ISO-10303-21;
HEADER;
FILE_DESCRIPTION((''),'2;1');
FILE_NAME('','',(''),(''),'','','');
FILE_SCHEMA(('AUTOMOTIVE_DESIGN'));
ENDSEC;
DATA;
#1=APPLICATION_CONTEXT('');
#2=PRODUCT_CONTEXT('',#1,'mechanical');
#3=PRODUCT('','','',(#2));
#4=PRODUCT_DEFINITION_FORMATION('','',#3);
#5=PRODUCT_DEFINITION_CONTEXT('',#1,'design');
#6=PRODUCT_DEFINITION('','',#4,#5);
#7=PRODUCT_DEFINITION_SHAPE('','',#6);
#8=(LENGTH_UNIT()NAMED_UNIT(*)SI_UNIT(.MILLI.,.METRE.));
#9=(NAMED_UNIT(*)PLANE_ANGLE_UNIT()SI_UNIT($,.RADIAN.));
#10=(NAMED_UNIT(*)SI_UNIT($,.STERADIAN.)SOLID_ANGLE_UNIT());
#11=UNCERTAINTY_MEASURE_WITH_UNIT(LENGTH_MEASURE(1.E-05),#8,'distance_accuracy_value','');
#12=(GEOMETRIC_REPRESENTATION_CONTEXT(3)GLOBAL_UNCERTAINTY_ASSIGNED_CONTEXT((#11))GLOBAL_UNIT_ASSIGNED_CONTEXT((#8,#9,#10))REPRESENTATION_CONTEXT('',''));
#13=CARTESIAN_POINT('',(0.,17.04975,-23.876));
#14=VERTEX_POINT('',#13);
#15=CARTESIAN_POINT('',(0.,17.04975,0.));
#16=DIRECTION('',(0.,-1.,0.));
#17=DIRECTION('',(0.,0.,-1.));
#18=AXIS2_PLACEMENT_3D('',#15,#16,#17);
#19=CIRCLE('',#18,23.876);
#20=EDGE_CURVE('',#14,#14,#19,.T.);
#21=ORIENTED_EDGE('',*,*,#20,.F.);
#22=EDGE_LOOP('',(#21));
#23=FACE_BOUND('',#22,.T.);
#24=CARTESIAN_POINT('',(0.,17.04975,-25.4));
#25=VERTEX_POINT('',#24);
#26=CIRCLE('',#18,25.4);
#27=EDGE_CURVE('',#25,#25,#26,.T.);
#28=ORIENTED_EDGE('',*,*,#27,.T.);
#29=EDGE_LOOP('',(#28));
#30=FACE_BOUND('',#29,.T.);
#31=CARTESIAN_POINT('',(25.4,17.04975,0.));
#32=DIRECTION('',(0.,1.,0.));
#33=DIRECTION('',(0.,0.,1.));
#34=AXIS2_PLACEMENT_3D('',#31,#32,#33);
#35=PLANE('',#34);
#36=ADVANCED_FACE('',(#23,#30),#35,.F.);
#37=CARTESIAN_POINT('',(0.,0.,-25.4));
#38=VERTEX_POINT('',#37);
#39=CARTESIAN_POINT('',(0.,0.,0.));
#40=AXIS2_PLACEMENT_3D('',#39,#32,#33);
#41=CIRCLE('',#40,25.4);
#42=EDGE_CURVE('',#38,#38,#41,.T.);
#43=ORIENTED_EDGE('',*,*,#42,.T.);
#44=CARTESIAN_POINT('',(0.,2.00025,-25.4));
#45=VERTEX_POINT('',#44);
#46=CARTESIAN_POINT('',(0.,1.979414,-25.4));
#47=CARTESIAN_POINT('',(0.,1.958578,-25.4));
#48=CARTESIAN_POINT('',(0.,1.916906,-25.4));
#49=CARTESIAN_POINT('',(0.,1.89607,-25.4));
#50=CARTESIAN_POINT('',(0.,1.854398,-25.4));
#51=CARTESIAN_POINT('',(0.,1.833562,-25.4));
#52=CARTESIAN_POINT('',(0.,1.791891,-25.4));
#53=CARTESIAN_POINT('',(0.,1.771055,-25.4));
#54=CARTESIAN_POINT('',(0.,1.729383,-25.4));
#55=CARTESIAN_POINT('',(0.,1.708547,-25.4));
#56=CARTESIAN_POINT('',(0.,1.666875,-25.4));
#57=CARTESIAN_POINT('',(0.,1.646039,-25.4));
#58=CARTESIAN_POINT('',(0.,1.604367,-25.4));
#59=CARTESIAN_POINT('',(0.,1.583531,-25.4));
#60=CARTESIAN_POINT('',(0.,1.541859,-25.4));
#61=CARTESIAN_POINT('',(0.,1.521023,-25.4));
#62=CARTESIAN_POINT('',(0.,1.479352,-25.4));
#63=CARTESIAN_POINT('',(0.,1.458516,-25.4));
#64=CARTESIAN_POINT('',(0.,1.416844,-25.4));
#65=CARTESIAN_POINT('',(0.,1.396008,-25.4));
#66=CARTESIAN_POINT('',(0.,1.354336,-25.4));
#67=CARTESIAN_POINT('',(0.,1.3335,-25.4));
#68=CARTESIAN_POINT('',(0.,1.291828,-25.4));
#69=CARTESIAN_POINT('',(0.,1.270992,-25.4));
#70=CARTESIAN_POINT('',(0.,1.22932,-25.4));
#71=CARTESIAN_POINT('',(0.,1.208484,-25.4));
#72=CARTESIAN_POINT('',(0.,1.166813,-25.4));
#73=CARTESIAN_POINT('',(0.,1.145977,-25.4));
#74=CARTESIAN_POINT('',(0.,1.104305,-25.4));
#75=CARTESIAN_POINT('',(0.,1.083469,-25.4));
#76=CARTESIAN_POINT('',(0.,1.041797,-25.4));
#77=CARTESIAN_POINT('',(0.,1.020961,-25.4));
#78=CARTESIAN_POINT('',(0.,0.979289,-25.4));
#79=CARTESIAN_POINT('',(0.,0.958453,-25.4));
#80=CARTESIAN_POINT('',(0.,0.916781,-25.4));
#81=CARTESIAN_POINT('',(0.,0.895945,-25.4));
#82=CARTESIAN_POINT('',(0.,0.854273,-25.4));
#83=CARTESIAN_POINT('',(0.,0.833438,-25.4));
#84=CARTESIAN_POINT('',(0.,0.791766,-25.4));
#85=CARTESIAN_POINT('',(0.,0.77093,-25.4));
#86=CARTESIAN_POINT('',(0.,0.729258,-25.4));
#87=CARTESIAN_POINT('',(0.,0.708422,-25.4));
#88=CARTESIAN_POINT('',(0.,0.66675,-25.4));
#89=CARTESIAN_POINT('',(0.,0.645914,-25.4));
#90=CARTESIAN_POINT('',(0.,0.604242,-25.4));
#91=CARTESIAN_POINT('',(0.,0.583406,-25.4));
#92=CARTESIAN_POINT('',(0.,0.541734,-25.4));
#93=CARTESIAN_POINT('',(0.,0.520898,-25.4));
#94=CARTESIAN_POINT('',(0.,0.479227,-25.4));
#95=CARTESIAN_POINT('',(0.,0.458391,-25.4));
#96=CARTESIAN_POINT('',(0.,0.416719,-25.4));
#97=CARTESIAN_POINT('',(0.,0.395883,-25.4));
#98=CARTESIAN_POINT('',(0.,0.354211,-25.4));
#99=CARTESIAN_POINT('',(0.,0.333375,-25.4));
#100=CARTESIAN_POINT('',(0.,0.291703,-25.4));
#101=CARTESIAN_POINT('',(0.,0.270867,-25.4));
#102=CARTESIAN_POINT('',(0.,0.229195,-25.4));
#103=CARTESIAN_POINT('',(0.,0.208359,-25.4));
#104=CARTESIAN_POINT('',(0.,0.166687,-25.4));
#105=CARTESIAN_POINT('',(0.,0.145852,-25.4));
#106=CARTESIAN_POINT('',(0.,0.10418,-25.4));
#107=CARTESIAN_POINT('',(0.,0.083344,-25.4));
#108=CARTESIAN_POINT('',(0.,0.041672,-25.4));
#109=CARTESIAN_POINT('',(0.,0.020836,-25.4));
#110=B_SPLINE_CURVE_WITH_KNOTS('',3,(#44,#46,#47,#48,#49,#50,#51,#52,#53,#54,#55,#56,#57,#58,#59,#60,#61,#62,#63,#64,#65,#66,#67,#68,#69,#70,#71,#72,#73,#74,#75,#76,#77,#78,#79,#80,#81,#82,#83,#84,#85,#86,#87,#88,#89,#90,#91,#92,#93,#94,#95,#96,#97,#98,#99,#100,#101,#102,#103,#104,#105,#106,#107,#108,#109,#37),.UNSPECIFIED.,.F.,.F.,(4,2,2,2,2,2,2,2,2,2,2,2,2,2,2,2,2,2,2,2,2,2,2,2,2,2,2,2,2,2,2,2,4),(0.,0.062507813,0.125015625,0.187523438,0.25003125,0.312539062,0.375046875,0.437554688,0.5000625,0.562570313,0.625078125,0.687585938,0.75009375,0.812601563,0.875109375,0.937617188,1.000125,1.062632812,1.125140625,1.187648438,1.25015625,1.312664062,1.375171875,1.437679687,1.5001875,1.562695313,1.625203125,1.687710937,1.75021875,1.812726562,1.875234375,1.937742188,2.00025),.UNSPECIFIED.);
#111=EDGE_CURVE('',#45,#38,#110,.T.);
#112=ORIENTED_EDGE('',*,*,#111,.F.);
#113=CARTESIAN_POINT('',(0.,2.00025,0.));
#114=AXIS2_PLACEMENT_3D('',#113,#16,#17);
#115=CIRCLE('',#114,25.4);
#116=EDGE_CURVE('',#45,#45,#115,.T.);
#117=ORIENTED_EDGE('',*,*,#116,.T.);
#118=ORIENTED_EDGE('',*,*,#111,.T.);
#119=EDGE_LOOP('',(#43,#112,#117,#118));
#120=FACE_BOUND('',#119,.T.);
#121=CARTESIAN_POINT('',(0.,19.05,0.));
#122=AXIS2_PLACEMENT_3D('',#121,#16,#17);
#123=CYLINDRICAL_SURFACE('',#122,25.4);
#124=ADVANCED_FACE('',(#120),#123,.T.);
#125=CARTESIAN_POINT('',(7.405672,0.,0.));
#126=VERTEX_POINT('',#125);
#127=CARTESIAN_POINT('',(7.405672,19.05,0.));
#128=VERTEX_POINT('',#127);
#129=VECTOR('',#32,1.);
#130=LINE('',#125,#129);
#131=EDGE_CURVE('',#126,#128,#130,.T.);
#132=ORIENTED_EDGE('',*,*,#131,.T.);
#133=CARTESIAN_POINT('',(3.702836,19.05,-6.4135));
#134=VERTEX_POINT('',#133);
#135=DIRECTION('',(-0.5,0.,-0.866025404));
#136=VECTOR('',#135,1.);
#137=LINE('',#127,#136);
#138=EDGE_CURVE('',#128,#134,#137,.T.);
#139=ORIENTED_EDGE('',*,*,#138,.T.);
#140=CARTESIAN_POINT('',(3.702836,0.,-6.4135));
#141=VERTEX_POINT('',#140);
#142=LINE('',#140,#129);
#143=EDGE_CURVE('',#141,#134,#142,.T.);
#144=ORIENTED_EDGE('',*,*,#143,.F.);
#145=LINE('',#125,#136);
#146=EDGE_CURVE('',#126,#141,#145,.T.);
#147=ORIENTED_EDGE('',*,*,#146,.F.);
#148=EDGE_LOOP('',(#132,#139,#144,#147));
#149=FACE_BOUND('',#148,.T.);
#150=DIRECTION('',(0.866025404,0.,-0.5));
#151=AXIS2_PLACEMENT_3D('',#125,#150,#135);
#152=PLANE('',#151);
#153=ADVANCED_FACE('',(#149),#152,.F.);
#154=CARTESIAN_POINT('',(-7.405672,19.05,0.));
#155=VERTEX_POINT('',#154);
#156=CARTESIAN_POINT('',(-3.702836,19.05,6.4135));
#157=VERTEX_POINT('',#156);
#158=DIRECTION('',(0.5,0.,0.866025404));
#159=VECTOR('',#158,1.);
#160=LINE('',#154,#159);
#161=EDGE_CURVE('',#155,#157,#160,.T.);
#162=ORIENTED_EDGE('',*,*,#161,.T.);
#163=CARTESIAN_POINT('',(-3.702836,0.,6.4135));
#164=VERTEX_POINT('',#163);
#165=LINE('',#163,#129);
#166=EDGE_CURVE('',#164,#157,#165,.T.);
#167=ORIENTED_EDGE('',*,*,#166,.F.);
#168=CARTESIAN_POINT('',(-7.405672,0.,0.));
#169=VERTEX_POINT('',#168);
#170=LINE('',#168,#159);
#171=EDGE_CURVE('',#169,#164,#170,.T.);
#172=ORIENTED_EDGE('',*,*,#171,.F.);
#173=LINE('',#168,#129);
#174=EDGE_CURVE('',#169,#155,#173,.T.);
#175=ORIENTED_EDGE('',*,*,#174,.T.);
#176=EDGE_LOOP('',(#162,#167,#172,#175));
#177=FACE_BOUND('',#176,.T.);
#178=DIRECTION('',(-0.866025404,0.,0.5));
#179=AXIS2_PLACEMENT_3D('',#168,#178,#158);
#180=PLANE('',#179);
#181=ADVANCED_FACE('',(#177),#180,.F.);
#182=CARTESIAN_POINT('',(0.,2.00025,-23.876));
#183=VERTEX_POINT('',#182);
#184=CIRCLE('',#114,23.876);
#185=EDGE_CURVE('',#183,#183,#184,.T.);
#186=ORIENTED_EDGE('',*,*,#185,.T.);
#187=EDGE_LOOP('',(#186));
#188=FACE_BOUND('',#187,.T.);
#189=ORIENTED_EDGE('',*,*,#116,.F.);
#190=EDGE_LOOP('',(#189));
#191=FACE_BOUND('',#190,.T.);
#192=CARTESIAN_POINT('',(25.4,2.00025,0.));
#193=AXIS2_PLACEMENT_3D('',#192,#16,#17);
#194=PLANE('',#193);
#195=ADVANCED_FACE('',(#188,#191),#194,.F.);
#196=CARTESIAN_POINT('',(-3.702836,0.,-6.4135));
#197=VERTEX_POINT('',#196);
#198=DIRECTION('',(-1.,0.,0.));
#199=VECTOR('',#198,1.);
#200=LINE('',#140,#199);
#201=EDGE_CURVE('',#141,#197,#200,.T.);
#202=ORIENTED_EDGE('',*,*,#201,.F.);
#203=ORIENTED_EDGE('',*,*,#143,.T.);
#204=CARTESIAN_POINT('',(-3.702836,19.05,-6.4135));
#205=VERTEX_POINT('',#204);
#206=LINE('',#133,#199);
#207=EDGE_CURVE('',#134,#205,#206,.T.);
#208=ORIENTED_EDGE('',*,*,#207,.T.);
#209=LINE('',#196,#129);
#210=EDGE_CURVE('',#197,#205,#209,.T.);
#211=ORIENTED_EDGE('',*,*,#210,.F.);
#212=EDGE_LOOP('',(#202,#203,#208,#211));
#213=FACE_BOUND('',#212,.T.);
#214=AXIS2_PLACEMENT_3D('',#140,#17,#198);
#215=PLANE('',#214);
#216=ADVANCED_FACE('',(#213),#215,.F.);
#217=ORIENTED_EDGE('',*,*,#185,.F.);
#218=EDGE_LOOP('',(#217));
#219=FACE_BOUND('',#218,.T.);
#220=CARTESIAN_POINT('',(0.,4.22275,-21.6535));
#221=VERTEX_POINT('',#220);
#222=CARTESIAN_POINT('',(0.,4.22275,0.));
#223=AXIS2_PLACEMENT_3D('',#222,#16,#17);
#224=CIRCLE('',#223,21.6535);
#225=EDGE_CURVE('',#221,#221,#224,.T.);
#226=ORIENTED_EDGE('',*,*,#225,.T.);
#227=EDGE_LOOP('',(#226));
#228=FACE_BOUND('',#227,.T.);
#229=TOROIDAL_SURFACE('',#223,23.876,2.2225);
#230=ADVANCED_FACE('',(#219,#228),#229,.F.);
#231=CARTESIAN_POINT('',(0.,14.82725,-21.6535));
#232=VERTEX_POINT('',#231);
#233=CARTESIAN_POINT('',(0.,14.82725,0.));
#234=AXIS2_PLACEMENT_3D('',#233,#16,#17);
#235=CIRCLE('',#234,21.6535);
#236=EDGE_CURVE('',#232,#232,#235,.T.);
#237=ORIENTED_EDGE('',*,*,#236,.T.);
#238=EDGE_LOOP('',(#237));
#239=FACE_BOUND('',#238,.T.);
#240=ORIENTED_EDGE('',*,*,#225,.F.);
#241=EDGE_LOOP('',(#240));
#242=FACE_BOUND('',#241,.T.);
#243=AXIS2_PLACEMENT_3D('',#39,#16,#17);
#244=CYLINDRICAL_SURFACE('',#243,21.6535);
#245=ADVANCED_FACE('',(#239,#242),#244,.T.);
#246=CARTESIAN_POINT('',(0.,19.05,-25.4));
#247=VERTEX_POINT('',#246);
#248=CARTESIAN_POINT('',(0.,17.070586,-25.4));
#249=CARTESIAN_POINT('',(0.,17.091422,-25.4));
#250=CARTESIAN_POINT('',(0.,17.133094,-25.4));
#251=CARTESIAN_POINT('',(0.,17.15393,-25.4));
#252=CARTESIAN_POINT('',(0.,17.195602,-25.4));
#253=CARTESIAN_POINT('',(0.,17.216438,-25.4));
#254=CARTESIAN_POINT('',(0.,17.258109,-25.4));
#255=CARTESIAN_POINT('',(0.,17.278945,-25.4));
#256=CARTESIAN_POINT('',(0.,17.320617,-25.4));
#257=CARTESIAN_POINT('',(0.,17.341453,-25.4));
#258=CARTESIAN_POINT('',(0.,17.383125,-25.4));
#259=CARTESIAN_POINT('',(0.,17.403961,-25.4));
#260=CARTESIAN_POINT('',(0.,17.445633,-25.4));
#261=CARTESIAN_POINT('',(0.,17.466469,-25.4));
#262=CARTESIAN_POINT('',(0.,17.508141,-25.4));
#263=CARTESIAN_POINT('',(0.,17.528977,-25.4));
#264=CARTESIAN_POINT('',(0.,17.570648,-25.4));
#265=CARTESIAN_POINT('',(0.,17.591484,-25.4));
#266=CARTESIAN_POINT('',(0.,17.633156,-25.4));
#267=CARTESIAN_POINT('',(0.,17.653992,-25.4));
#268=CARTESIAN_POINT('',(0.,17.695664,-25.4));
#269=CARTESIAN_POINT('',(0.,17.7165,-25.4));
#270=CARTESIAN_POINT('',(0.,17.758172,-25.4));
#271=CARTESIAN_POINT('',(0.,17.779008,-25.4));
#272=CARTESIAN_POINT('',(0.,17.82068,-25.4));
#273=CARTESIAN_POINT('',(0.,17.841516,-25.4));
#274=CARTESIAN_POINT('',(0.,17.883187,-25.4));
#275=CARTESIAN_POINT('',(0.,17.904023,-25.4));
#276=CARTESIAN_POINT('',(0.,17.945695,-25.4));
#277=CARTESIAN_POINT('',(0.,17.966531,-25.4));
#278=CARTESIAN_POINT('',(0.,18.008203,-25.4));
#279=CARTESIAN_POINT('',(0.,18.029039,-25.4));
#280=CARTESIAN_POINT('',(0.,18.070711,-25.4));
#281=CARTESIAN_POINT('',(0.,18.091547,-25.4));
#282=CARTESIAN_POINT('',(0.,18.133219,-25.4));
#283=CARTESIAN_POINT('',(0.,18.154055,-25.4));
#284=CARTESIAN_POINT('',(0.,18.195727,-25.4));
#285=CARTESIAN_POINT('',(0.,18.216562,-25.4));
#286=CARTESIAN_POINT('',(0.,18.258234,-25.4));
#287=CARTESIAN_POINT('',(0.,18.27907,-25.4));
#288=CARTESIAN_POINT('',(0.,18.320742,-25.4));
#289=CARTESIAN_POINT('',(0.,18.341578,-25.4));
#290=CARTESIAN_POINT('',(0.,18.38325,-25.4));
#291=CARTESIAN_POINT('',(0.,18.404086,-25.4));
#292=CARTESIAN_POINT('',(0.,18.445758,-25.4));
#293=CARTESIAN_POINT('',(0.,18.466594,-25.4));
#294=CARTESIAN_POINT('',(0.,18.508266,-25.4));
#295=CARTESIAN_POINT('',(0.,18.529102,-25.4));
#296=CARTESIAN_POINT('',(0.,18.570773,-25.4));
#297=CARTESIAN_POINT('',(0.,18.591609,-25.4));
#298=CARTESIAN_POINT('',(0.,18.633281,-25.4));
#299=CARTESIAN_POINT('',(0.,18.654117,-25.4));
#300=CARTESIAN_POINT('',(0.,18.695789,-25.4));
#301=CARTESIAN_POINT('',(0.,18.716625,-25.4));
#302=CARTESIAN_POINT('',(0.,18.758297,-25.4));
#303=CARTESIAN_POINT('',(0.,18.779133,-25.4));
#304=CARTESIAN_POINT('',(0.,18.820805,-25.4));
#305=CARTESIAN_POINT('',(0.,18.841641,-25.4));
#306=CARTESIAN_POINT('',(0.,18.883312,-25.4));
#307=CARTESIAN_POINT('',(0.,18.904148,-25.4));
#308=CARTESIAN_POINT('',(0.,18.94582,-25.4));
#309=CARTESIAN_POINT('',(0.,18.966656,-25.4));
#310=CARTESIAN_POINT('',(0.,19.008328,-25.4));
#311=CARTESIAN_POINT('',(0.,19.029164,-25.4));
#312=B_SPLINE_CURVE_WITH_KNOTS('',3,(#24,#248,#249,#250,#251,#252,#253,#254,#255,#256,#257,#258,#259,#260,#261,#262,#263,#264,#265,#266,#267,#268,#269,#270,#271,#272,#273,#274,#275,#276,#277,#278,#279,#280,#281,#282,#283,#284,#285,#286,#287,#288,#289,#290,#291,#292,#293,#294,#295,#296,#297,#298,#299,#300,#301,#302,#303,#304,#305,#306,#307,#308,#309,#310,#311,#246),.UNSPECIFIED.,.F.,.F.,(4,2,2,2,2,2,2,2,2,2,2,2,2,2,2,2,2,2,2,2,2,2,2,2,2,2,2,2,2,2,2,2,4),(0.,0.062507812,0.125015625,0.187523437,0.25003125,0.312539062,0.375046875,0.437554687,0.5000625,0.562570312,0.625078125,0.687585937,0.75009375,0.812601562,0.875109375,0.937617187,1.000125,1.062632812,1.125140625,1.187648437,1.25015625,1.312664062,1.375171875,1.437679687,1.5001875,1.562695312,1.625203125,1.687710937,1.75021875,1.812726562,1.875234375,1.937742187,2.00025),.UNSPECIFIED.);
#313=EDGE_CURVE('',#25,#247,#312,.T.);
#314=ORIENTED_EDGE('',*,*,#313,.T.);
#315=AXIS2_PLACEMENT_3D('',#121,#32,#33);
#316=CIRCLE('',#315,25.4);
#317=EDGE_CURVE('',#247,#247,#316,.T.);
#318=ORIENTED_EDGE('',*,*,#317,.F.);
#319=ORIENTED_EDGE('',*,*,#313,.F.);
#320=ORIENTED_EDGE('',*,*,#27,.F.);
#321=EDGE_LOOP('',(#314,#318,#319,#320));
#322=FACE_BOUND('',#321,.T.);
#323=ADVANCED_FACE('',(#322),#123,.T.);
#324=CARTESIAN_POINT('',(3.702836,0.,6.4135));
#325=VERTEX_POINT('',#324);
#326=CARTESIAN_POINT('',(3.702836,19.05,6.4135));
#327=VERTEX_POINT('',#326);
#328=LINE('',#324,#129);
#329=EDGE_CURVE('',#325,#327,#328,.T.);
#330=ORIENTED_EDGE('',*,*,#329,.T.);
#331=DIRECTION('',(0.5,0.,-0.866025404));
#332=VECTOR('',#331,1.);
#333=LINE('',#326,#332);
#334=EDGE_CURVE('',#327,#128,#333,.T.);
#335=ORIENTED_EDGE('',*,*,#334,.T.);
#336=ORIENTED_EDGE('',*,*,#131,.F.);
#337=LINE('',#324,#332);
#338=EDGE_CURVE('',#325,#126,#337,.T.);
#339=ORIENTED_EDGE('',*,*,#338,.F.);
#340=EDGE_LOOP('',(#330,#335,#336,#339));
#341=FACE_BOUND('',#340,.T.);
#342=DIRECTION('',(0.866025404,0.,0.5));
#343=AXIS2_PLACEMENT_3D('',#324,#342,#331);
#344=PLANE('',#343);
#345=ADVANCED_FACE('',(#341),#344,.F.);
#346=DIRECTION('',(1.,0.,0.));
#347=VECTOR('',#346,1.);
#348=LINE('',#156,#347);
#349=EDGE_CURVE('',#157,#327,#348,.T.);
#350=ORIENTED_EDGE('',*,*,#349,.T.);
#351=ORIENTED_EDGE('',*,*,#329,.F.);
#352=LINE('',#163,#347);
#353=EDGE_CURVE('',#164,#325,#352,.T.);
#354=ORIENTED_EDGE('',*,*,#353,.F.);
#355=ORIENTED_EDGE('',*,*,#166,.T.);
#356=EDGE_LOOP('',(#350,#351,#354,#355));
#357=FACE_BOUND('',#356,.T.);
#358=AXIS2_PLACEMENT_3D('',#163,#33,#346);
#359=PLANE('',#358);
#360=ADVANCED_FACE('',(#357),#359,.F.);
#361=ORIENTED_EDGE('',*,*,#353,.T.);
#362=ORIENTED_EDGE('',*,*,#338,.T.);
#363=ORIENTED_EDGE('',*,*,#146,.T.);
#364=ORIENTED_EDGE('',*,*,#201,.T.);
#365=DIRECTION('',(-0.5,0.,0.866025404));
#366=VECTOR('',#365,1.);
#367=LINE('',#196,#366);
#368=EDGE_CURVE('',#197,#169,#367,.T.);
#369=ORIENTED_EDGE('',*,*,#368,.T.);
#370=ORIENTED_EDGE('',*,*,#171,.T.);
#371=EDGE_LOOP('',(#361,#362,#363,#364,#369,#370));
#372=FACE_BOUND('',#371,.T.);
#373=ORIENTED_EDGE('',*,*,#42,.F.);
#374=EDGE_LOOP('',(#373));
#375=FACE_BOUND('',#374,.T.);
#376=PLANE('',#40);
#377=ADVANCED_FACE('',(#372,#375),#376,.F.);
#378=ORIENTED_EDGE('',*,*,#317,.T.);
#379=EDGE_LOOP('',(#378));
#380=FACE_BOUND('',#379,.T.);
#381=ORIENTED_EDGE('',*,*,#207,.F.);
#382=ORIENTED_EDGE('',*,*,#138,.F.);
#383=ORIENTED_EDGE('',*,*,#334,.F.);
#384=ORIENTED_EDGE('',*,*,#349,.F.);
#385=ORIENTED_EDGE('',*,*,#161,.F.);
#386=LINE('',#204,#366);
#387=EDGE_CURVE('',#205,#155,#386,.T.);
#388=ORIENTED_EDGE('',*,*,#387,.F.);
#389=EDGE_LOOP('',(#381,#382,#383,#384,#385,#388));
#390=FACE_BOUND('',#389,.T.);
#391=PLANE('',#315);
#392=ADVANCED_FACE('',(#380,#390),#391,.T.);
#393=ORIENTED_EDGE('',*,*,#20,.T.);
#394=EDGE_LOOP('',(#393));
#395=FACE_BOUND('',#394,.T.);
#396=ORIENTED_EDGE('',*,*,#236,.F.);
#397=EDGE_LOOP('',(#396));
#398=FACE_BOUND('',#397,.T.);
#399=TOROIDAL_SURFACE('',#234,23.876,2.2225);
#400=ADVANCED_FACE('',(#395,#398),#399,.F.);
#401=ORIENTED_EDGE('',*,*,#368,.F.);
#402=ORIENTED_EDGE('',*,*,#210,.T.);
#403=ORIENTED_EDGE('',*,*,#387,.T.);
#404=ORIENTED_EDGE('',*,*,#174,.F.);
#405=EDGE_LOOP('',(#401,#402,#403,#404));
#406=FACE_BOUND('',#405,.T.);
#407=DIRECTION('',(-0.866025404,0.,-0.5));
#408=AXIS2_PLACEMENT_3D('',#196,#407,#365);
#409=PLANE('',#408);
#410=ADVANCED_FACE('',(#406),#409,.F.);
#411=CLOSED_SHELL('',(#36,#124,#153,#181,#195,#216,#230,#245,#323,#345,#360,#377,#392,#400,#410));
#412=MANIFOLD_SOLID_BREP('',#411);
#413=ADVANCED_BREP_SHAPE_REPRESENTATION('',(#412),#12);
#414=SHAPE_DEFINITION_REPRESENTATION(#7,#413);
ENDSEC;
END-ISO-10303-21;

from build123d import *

# Parameters (mm, degrees)
SKETCH1_R           = 25.4
SKETCH1_R_2         = 4.8387
BOSS_EXTRUDE1_DEPTH = 19.05
CUT_EXTRUDE1_DEPTH  = 41.659838908


with BuildPart() as part:
    # Sketch1 → Boss-Extrude1 (new body)
    with BuildSketch(Plane(origin=(0, 0, 0), x_dir=(1, 0, 0), z_dir=(0, 1, 0))):
        with Locations(Location((0, 0, 0), (0, 0, 90))):
            Circle(SKETCH1_R)
        with Locations(Location((0, 0, 0), (0, 0, 90))):
            Circle(SKETCH1_R_2, mode=Mode.SUBTRACT)
    extrude(amount=BOSS_EXTRUDE1_DEPTH)

    # Sketch6 → Cut-Extrude1 (cut, through all)
    with BuildSketch(Plane(origin=(0, 19.05, 0), x_dir=(1, 0, 0), z_dir=(0, 1, 0))):
        Polygon((3.702835951, -6.4135), (7.405671903, 0), (3.702835951, 6.4135), (-3.702835951, 6.4135), (-7.405671903, 0), (-3.702835951, -6.4135), align=None)
    extrude(amount=-CUT_EXTRUDE1_DEPTH, mode=Mode.SUBTRACT)

    # Sketch2 → Cut-Revolve1 (revolve, cut)
    with BuildSketch(Plane.XY, mode=Mode.PRIVATE) as cut_revolve1_sk:
        with BuildLine():
            Line((25.4, 17.04975), (23.876, 17.04975))
            ThreePointArc((23.876, 17.04975), (22.304455179, 16.398794821), (21.6535, 14.82725))
            Line((21.6535, 14.82725), (21.6535, 4.22275))
            ThreePointArc((21.6535, 4.22275), (22.304455179, 2.651205179), (23.876, 2.00025))
            Line((23.876, 2.00025), (25.4, 2.00025))
            Line((25.4, 2.00025), (25.4, 17.04975))
        make_face()
    revolve(cut_revolve1_sk.sketch.rotate(Axis((0, 0, 0), (0, 1, 0)), 90), axis=Axis((0, 0, 0), (0, 1, 0)), mode=Mode.SUBTRACT)


solid = part.part
